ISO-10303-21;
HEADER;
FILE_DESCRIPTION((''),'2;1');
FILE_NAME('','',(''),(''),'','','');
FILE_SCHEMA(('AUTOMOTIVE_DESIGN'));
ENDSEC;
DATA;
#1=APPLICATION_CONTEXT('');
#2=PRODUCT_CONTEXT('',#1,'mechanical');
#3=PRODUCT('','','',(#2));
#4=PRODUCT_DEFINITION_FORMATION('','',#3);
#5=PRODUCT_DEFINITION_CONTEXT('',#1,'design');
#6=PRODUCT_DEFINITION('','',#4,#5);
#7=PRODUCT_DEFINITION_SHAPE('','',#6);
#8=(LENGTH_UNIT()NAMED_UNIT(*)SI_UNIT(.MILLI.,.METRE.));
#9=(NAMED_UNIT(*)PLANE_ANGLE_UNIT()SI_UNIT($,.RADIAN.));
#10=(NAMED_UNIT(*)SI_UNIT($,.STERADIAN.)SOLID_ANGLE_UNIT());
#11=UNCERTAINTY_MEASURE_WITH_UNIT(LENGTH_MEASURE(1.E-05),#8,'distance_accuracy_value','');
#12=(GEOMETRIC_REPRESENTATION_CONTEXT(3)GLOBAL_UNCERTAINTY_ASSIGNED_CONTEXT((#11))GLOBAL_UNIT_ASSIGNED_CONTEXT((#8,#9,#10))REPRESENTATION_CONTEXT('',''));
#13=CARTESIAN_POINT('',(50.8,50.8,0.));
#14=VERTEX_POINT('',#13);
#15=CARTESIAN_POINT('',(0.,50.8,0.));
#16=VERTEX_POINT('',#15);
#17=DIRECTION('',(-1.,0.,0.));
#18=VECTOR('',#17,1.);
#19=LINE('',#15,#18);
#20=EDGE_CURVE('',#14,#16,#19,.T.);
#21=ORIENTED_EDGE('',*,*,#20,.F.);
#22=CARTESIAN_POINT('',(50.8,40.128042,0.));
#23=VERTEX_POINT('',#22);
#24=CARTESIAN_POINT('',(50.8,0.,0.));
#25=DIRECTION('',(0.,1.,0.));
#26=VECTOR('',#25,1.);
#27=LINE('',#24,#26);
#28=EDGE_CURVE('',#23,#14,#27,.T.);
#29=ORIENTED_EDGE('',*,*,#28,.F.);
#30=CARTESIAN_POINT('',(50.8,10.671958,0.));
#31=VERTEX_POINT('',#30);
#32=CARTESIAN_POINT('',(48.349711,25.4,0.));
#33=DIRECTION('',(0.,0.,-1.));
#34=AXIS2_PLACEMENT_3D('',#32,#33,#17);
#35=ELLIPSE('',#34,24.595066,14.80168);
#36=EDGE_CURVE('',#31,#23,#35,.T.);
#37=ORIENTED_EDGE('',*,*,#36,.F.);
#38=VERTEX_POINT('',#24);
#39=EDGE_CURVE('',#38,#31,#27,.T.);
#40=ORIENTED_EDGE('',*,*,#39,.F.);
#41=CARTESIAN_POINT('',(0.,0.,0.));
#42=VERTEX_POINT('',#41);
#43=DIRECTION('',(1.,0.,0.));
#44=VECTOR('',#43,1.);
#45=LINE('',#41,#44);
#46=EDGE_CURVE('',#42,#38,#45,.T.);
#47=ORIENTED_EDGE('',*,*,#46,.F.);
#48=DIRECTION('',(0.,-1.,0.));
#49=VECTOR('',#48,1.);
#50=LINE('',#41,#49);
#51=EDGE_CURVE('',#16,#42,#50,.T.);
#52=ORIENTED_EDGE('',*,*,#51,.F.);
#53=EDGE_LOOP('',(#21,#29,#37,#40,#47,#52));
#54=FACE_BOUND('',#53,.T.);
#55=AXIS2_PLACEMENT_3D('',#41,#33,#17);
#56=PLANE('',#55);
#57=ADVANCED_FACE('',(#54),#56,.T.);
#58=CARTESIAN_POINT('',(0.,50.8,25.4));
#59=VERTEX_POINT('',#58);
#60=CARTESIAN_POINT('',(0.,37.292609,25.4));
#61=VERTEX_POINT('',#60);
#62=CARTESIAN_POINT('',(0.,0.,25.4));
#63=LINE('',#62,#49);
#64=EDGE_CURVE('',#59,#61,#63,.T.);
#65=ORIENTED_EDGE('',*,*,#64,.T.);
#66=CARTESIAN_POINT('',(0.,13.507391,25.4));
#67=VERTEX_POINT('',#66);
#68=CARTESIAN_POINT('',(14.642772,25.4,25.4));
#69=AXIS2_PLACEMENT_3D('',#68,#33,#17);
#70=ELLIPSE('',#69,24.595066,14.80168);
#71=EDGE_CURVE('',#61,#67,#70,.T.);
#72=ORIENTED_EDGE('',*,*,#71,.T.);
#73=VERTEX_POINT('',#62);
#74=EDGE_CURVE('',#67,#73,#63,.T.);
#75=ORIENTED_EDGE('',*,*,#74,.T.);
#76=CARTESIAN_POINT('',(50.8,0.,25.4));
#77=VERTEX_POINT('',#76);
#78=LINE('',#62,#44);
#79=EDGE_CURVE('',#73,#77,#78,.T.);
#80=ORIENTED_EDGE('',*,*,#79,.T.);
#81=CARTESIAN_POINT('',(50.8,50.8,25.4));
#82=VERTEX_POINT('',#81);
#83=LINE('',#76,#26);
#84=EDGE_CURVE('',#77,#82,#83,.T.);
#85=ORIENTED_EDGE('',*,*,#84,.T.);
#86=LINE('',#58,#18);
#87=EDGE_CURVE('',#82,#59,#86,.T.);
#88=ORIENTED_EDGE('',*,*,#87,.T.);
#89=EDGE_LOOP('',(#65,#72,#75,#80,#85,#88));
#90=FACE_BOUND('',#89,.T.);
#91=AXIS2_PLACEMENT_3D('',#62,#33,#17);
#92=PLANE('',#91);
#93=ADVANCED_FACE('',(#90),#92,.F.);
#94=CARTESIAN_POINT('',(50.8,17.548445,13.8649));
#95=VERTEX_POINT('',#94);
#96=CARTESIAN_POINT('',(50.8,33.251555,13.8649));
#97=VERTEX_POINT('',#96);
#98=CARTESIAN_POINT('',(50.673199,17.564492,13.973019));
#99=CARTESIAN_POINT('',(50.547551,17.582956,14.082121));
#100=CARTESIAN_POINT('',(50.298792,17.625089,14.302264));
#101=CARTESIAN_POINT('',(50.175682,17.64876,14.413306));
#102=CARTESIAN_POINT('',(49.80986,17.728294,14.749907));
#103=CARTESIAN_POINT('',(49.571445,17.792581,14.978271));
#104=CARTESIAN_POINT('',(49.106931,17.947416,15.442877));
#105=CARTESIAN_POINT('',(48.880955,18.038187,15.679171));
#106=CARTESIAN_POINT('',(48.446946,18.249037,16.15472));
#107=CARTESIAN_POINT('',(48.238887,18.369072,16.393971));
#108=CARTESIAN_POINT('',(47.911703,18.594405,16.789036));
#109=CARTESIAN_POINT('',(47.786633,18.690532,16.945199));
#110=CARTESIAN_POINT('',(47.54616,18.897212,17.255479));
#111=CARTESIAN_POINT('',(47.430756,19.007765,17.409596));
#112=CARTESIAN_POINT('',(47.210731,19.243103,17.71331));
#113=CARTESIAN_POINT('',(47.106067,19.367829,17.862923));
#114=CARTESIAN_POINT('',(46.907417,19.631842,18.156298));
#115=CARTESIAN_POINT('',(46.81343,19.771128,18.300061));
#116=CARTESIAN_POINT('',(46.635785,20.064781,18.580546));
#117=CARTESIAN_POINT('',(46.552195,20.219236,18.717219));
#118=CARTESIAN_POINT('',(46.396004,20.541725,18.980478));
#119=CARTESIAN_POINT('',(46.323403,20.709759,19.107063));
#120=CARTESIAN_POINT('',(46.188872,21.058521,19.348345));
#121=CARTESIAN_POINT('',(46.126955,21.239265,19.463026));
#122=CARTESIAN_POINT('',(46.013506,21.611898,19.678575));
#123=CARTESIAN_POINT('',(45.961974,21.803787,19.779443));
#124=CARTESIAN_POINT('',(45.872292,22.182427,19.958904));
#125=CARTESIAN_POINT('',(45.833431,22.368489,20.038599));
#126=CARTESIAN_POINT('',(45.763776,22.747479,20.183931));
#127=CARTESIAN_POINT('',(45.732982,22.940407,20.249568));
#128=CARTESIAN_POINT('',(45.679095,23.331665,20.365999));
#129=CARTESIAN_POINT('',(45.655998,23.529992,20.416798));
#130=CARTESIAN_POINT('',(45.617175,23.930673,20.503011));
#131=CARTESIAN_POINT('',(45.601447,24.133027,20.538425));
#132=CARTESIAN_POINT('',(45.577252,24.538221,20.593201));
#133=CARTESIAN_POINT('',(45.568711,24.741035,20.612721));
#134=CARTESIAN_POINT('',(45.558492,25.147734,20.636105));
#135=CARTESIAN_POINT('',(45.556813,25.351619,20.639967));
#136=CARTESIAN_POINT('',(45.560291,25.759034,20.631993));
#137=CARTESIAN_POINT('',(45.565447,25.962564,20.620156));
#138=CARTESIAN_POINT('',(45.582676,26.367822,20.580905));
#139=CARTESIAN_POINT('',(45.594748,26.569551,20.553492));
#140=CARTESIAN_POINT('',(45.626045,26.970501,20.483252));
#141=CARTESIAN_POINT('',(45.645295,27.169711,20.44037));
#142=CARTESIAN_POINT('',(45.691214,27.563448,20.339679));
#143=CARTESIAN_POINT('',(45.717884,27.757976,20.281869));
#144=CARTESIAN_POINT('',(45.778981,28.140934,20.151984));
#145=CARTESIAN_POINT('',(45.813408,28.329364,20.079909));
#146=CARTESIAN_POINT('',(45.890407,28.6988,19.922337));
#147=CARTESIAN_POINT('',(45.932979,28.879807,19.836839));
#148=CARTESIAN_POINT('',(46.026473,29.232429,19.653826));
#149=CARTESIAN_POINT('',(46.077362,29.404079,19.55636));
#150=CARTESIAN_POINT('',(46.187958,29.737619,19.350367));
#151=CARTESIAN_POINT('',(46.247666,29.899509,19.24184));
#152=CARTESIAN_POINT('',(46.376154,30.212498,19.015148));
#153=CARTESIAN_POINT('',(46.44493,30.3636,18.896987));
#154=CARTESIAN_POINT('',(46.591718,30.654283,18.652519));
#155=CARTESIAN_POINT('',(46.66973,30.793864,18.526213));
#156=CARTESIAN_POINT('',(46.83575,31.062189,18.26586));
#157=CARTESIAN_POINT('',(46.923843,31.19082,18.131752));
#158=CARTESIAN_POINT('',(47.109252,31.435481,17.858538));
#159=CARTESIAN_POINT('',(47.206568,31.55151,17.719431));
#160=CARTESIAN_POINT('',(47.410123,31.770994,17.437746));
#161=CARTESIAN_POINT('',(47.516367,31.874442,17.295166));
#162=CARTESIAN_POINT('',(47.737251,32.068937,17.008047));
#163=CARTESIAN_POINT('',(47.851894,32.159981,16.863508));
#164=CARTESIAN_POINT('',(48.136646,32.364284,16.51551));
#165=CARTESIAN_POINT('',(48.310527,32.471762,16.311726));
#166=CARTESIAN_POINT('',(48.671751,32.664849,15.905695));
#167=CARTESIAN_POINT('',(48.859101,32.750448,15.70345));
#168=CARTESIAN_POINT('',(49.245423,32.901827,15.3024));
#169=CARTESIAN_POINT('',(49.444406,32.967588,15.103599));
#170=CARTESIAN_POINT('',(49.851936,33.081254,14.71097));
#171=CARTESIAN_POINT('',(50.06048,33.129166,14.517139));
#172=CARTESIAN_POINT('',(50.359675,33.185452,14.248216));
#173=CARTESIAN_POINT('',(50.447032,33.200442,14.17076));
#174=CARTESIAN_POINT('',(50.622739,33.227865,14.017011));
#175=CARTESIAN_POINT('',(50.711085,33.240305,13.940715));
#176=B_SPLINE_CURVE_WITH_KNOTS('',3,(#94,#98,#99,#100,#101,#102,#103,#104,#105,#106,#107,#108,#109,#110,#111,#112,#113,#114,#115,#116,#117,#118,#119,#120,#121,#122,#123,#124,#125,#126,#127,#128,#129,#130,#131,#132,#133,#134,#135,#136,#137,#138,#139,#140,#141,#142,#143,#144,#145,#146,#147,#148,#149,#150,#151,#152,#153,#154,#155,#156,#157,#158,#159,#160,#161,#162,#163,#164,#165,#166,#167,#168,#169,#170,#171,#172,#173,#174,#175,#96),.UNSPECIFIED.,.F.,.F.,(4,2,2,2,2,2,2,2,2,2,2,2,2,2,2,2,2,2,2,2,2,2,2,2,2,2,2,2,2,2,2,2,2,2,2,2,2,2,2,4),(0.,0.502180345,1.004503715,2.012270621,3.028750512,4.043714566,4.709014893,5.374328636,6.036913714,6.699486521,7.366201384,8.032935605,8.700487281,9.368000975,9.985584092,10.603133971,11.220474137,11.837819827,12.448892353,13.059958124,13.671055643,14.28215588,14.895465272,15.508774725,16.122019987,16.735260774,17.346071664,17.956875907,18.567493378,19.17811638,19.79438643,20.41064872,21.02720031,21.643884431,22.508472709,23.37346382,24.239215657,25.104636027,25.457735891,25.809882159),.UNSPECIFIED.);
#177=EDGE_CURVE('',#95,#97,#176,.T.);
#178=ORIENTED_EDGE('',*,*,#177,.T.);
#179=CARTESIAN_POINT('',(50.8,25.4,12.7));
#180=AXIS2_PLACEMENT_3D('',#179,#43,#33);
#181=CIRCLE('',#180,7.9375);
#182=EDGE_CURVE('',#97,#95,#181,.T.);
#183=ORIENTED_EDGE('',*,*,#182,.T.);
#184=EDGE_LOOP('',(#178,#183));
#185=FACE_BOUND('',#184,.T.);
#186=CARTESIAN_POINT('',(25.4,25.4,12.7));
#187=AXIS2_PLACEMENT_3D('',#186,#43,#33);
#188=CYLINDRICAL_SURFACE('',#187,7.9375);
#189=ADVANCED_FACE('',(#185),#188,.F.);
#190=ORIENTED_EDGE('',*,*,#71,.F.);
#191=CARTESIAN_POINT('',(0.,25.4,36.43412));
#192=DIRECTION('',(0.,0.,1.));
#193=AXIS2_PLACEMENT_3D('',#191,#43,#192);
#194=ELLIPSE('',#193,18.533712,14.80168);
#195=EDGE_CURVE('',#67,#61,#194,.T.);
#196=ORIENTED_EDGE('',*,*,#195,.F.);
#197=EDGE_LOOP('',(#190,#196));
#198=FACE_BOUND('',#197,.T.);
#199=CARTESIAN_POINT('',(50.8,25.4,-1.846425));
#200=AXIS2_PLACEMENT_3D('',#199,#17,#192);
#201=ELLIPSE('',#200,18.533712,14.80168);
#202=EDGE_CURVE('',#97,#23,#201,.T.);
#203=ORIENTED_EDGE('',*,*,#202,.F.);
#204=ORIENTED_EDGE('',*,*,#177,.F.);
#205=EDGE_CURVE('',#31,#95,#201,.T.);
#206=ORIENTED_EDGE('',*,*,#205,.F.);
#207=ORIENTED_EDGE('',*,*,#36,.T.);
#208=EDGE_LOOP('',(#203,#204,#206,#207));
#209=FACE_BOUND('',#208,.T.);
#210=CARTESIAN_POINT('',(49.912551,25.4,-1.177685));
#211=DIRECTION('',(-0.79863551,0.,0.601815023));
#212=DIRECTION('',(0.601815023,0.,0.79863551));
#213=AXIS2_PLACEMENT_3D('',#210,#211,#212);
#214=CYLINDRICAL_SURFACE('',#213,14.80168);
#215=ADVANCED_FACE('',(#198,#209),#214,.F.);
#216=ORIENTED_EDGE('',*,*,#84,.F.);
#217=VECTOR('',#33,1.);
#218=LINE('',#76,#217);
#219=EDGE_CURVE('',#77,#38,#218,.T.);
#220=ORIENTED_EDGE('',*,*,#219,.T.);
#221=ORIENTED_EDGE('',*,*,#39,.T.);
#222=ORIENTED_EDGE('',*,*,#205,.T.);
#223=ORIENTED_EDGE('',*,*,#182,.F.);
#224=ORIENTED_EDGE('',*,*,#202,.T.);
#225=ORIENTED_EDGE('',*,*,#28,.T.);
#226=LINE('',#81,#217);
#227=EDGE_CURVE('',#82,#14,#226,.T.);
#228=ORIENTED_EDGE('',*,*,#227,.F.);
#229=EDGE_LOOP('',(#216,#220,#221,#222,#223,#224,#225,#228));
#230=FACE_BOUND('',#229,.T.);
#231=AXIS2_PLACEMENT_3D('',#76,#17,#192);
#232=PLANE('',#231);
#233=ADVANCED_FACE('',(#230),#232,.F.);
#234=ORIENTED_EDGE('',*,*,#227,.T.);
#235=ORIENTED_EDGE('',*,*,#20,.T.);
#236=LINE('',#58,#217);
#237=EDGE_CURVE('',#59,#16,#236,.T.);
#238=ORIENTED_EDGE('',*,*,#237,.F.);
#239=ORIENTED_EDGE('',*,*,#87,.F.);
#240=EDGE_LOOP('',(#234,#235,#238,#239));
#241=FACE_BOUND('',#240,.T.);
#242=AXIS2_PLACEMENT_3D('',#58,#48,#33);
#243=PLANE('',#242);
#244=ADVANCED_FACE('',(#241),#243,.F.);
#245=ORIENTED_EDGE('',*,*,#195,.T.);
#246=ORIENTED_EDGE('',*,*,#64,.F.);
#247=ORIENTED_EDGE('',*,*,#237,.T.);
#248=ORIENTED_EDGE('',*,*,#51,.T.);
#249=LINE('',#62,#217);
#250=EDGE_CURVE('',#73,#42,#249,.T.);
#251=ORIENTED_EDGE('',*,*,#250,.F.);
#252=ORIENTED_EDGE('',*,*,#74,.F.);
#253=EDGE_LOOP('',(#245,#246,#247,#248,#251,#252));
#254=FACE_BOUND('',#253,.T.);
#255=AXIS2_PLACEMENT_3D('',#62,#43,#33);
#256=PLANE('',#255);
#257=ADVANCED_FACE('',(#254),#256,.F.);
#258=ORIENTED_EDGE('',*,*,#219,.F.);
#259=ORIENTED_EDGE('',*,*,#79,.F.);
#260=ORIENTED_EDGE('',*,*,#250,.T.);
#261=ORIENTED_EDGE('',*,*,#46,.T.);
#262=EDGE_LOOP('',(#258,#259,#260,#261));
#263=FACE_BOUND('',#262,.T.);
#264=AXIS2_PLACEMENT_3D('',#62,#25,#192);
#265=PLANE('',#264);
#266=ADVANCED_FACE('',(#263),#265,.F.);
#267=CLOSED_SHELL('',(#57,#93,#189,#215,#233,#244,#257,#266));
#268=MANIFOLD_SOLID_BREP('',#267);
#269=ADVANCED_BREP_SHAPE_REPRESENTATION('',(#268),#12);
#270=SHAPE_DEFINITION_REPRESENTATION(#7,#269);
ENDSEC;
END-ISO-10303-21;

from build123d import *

# Parameters (mm, degrees)
SKETCH1_W           = 50.8
SKETCH1_H           = 50.8
BOSS_EXTRUDE1_DEPTH = 25.4
SKETCH2_R           = 7.9375
CUT_EXTRUDE1_DEPTH  = 25.4
SKETCH4_R           = 14.80168028
CUT_EXTRUDE2_DEPTH  = 113.055003212


with BuildPart() as part:
    # Sketch1 → Boss-Extrude1 (new body)
    with BuildSketch(Plane.XY):
        with Locations((25.4, 25.4)):
            Rectangle(SKETCH1_W, SKETCH1_H)
    extrude(amount=BOSS_EXTRUDE1_DEPTH)

    # Sketch2 → Cut-Extrude1 (cut)
    with BuildSketch(Plane(origin=(50.8, 0, 0), x_dir=(0, 0, -1), z_dir=(1, 0, 0))):
        with Locations((-12.7, 25.4)):
            Circle(SKETCH2_R)
    extrude(amount=-CUT_EXTRUDE1_DEPTH, mode=Mode.SUBTRACT)

    # Sketch4 → Cut-Extrude2 (cut, through all)
    with BuildSketch(Plane(origin=(-43.536509722, 0, 32.807113228), x_dir=(0, 1, 0), z_dir=(-0.7986355100472856, 0, 0.6018150231520579))):
        with Locations(Location((25.4, -29.09758227, 0), (0, 0, 237.964118951))):
            Circle(SKETCH4_R)
    extrude(amount=-CUT_EXTRUDE2_DEPTH, mode=Mode.SUBTRACT)


solid = part.part
